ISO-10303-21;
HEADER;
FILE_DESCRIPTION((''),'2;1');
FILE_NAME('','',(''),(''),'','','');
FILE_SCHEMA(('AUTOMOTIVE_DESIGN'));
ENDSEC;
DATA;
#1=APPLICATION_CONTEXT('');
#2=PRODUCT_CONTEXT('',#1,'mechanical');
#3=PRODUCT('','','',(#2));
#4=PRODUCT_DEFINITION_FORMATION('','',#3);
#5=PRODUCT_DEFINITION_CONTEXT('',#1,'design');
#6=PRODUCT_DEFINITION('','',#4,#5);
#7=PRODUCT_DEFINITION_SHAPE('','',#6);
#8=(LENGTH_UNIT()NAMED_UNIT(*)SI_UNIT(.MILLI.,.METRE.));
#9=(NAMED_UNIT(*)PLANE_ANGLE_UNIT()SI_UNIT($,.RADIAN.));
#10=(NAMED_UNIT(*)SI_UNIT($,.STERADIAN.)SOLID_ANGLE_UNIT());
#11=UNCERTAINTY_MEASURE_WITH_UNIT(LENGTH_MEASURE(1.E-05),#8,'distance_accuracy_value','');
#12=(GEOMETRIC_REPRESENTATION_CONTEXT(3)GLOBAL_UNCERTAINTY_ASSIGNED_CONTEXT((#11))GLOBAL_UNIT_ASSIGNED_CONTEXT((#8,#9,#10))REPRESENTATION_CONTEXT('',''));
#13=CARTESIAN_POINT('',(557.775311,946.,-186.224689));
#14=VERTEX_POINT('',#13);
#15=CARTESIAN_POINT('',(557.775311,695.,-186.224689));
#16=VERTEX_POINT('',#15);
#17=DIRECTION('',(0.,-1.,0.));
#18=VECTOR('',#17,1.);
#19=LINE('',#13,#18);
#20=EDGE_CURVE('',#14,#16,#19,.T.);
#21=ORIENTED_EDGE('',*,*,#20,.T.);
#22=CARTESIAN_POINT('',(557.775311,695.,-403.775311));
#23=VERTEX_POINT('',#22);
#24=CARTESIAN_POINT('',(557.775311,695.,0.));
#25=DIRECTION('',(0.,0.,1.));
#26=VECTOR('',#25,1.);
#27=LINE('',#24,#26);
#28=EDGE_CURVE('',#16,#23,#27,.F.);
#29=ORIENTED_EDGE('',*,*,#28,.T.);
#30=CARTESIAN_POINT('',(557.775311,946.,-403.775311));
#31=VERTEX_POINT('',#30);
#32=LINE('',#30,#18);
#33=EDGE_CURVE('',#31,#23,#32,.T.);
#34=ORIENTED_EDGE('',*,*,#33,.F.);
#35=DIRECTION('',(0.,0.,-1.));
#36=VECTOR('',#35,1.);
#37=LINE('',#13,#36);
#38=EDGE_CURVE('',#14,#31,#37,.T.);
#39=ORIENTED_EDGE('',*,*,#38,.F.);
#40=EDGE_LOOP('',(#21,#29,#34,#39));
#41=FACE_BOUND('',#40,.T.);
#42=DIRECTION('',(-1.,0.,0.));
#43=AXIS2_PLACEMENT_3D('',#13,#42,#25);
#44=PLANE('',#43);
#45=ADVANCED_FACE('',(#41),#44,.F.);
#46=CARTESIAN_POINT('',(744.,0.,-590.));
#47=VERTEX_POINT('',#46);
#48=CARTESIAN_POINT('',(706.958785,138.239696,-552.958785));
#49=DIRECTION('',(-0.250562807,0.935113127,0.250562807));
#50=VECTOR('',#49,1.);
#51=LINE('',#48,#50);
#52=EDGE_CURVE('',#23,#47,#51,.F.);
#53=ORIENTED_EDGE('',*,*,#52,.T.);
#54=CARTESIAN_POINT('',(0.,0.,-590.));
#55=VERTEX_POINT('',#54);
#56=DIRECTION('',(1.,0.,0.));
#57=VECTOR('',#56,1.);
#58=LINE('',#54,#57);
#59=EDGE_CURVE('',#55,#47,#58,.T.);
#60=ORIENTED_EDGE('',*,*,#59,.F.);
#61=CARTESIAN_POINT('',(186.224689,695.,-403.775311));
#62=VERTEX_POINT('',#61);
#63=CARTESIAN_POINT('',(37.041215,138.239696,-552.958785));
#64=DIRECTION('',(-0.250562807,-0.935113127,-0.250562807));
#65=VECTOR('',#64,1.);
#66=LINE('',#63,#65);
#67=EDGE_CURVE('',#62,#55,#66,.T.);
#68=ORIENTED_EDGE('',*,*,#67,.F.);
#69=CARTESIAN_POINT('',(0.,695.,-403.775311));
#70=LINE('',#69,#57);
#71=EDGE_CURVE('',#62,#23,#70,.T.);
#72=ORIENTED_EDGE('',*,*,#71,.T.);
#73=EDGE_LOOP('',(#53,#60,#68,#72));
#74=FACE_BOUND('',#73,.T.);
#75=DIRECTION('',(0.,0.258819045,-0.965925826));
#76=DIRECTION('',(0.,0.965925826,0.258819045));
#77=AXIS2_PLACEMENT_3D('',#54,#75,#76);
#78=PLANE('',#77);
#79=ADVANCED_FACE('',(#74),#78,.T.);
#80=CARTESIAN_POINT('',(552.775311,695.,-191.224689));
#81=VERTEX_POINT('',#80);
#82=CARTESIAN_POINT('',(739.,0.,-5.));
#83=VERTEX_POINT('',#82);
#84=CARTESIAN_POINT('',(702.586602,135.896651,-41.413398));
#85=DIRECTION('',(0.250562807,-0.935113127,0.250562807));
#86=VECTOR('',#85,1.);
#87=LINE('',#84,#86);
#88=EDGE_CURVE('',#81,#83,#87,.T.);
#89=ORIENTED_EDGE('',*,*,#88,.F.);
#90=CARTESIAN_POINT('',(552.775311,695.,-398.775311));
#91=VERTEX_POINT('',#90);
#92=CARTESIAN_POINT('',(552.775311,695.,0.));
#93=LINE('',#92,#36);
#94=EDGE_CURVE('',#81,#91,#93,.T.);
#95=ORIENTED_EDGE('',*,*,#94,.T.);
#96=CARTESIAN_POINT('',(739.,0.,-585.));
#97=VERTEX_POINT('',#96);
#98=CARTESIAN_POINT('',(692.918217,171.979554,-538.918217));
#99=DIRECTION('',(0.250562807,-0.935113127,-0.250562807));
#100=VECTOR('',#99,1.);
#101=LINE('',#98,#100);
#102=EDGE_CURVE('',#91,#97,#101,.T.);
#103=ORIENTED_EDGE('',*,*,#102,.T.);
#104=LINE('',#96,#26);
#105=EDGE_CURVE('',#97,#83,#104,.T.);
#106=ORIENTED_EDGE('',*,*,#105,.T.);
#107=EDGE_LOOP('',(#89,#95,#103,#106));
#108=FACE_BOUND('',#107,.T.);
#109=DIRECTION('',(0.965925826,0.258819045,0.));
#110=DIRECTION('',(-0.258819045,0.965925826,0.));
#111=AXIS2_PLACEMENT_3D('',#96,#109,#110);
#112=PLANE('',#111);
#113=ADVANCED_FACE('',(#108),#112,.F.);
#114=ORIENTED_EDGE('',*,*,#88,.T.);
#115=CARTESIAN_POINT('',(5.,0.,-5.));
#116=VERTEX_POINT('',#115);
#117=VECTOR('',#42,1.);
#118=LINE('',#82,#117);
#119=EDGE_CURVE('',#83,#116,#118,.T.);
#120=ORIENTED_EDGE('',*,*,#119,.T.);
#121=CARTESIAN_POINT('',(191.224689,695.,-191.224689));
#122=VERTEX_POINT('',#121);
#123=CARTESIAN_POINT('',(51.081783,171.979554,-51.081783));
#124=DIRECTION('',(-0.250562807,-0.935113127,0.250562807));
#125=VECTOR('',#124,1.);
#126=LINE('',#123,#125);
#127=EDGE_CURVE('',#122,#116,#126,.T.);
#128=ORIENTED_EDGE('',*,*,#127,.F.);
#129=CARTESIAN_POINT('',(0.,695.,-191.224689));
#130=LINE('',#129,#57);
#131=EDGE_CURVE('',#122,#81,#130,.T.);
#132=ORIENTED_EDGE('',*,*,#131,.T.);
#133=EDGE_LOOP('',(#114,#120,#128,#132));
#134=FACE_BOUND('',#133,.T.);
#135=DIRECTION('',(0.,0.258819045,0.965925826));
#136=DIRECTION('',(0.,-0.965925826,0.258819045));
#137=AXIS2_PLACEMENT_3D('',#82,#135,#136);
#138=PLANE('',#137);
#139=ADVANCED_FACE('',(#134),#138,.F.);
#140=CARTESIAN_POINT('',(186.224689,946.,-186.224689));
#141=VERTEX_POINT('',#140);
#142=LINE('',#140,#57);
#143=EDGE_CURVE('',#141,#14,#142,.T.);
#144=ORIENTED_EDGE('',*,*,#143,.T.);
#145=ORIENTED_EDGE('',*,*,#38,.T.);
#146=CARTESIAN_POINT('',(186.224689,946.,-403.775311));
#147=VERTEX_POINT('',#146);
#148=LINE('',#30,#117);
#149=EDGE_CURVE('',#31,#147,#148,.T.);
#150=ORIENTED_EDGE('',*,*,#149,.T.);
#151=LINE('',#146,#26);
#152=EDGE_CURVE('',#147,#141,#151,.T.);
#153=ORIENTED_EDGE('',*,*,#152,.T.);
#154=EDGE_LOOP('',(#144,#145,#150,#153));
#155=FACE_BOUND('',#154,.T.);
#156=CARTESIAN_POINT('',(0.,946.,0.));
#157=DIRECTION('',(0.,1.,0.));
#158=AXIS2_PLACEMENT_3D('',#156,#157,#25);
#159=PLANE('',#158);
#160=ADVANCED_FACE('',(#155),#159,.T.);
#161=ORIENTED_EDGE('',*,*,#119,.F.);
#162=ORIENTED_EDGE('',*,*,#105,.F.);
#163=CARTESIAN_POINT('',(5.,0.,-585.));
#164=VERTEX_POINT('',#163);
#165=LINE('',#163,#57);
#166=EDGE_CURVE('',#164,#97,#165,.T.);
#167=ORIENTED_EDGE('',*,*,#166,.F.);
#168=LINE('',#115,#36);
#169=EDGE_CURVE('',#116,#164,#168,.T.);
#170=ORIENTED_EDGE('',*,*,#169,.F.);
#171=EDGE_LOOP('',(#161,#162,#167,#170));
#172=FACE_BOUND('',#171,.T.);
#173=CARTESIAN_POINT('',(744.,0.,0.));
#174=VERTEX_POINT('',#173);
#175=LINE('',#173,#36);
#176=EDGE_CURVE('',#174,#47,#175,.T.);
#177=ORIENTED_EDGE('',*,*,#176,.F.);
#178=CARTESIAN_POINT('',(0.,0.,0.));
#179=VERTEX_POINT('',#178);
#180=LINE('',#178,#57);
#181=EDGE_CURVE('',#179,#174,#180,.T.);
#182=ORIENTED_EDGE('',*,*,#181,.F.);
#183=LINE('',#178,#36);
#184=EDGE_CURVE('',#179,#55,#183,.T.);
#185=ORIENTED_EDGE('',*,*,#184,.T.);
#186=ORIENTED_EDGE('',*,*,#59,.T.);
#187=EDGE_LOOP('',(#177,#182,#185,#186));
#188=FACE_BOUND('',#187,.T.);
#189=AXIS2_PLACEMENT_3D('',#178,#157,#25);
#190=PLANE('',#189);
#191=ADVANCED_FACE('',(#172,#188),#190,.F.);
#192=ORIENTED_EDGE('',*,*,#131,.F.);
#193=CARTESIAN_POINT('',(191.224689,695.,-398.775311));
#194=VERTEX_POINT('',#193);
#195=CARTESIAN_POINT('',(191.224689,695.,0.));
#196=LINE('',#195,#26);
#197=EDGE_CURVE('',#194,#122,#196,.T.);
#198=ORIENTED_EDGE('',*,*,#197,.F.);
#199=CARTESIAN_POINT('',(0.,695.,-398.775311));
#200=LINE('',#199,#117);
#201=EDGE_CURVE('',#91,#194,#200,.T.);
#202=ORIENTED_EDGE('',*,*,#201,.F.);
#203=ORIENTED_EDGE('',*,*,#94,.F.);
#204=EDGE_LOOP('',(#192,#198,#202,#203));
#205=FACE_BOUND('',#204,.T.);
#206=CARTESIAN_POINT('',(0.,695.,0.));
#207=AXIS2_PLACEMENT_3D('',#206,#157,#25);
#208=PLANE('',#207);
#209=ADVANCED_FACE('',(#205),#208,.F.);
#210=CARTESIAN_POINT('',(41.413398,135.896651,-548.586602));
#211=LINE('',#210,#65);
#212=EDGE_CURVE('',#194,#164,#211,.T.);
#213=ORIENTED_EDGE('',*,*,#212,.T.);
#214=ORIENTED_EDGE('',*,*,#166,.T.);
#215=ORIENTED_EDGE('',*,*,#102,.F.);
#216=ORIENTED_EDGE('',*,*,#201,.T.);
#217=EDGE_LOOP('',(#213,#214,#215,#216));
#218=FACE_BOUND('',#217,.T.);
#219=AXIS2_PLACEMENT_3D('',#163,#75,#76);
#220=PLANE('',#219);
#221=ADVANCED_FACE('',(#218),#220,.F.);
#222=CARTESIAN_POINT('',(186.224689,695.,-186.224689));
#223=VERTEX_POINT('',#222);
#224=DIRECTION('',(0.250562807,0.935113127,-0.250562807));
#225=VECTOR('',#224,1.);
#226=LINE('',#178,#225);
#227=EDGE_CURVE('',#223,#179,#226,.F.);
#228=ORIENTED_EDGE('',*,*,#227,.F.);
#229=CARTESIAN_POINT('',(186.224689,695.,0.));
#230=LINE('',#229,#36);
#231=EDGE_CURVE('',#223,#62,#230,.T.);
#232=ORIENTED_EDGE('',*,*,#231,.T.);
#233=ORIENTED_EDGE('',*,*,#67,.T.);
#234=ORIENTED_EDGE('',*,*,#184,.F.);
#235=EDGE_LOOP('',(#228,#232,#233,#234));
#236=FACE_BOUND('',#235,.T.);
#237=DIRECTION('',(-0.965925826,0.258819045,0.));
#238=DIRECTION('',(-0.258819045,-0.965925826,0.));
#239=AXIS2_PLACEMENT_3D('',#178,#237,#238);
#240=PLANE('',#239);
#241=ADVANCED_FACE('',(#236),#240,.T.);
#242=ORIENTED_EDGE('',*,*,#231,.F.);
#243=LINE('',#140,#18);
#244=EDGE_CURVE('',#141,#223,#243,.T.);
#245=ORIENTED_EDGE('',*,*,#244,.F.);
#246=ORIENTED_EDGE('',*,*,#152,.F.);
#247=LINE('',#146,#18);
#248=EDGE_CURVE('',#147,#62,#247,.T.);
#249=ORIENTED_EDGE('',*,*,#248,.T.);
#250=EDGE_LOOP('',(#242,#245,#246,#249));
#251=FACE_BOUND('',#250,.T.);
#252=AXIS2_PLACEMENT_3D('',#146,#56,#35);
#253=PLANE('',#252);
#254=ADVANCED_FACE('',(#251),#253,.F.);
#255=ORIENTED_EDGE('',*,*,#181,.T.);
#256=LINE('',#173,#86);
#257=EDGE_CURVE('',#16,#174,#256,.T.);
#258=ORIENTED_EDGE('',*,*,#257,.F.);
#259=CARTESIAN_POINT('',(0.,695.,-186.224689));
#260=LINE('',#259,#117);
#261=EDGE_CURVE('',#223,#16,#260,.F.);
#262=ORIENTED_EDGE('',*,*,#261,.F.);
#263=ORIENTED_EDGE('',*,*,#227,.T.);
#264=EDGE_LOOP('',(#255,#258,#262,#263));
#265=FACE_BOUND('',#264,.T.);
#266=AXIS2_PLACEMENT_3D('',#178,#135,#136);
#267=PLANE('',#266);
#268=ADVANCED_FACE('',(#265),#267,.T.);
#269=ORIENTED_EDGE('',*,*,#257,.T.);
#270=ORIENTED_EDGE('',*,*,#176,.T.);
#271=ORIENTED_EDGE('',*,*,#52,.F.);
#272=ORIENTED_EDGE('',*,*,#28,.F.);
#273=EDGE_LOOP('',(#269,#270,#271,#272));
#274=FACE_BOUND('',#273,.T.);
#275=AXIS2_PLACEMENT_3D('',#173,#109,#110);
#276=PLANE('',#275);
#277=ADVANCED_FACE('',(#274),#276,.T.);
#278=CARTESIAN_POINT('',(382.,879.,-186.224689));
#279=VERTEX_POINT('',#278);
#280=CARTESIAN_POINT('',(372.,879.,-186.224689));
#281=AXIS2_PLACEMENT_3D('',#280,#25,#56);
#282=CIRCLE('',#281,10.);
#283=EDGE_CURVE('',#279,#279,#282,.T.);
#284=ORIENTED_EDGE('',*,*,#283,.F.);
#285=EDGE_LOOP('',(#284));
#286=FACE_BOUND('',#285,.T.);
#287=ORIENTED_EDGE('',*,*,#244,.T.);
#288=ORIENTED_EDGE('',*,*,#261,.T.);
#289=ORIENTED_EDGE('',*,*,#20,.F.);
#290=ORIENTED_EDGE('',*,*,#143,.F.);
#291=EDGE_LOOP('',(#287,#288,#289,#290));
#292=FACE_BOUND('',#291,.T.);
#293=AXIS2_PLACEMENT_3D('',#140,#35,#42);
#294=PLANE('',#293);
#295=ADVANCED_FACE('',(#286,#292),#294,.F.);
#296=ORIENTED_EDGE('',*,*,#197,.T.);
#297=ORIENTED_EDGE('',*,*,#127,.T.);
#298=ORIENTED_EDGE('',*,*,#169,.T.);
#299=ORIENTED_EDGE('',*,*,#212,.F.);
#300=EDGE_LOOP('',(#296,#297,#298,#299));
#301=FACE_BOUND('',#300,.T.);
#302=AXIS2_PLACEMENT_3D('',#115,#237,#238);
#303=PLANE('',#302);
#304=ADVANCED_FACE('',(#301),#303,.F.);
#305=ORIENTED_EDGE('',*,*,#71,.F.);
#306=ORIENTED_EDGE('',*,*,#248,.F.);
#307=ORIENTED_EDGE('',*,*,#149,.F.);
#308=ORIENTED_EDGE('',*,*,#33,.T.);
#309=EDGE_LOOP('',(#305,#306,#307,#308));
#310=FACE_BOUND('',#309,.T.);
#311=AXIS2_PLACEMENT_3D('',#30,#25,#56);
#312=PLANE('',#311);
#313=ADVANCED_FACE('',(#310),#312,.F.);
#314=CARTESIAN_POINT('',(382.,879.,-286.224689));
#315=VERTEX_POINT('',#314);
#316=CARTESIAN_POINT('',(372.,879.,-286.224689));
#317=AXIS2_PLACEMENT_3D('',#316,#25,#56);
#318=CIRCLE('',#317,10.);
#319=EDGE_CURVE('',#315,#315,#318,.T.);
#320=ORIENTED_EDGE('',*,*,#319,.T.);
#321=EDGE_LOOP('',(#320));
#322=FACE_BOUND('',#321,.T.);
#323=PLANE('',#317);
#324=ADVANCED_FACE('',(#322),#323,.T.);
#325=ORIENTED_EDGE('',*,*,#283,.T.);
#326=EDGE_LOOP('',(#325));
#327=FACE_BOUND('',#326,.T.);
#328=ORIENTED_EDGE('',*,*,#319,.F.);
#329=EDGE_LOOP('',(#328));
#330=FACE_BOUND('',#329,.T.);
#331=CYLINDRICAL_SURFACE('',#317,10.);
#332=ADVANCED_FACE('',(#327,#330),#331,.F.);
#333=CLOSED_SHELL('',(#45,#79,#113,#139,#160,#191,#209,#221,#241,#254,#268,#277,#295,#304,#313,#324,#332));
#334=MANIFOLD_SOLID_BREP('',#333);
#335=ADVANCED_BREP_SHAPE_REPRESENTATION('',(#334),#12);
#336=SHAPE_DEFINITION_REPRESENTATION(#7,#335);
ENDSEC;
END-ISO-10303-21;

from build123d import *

# Parameters (mm, degrees)
SKETCH1_W           = 744
SKETCH1_H           = 590
BOSS_EXTRUDE1_DEPTH = 695
BOSS_EXTRUDE1_TAPER = 15
SKETCH6_W           = 734
SKETCH6_H           = 580
CUT_EXTRUDE3_DEPTH  = 784
CUT_EXTRUDE3_DRAFT  = -15
SKETCH7_W           = 371.55062252
SKETCH7_H           = 217.55062252
BOSS_EXTRUDE2_DEPTH = 251
SKETCH8_R           = 10
CUT_EXTRUDE4_DEPTH  = 100


with BuildPart() as part:
    # Sketch1 → Boss-Extrude1 (new body)
    with BuildSketch(Plane(origin=(0, 0, 0), x_dir=(1, 0, 0), z_dir=(0, 1, 0))):
        with Locations((372, 295)):
            Rectangle(SKETCH1_W, SKETCH1_H)
    extrude(amount=BOSS_EXTRUDE1_DEPTH, taper=BOSS_EXTRUDE1_TAPER)


with BuildPart() as cut_extrude3_tool:
    # Sketch6 → Cut-Extrude3 (with draft: the straight prism first)
    with BuildSketch(Plane.XZ):
        with Locations((372, -295)):
            Rectangle(SKETCH6_W, SKETCH6_H)
    extrude(amount=-CUT_EXTRUDE3_DEPTH)
    # Cut-Extrude3: the draft: its side faces are tilted about the plane it starts from
    cut_extrude3_sides = [cut_extrude3_tool.faces().sort_by_distance(p)[0] for p in [
        (372, 392, -585),
        (739, 392, -295),
        (372, 392, -5),
        (5, 392, -295),
    ]]
    draft(cut_extrude3_sides, Plane.XZ, CUT_EXTRUDE3_DRAFT)


with BuildPart() as part_1:
    add(part.part)

    # Cut-Extrude3: cut by cut_extrude3_tool
    add(cut_extrude3_tool.part, mode=Mode.SUBTRACT)

    # Sketch7 → Boss-Extrude2 (add)
    with BuildSketch(Plane(origin=(0, 695, 0), x_dir=(1, 0, 0), z_dir=(0, 1, 0))):
        with Locations((372, 295)):
            Rectangle(SKETCH7_W, SKETCH7_H)
    extrude(amount=BOSS_EXTRUDE2_DEPTH)

    # Sketch8 → Cut-Extrude4 (cut)
    with BuildSketch(Plane.XY.offset(-186.22468874)):
        with Locations((372, 879)):
            Circle(SKETCH8_R)
    extrude(amount=-CUT_EXTRUDE4_DEPTH, mode=Mode.SUBTRACT)


solid = part_1.part
